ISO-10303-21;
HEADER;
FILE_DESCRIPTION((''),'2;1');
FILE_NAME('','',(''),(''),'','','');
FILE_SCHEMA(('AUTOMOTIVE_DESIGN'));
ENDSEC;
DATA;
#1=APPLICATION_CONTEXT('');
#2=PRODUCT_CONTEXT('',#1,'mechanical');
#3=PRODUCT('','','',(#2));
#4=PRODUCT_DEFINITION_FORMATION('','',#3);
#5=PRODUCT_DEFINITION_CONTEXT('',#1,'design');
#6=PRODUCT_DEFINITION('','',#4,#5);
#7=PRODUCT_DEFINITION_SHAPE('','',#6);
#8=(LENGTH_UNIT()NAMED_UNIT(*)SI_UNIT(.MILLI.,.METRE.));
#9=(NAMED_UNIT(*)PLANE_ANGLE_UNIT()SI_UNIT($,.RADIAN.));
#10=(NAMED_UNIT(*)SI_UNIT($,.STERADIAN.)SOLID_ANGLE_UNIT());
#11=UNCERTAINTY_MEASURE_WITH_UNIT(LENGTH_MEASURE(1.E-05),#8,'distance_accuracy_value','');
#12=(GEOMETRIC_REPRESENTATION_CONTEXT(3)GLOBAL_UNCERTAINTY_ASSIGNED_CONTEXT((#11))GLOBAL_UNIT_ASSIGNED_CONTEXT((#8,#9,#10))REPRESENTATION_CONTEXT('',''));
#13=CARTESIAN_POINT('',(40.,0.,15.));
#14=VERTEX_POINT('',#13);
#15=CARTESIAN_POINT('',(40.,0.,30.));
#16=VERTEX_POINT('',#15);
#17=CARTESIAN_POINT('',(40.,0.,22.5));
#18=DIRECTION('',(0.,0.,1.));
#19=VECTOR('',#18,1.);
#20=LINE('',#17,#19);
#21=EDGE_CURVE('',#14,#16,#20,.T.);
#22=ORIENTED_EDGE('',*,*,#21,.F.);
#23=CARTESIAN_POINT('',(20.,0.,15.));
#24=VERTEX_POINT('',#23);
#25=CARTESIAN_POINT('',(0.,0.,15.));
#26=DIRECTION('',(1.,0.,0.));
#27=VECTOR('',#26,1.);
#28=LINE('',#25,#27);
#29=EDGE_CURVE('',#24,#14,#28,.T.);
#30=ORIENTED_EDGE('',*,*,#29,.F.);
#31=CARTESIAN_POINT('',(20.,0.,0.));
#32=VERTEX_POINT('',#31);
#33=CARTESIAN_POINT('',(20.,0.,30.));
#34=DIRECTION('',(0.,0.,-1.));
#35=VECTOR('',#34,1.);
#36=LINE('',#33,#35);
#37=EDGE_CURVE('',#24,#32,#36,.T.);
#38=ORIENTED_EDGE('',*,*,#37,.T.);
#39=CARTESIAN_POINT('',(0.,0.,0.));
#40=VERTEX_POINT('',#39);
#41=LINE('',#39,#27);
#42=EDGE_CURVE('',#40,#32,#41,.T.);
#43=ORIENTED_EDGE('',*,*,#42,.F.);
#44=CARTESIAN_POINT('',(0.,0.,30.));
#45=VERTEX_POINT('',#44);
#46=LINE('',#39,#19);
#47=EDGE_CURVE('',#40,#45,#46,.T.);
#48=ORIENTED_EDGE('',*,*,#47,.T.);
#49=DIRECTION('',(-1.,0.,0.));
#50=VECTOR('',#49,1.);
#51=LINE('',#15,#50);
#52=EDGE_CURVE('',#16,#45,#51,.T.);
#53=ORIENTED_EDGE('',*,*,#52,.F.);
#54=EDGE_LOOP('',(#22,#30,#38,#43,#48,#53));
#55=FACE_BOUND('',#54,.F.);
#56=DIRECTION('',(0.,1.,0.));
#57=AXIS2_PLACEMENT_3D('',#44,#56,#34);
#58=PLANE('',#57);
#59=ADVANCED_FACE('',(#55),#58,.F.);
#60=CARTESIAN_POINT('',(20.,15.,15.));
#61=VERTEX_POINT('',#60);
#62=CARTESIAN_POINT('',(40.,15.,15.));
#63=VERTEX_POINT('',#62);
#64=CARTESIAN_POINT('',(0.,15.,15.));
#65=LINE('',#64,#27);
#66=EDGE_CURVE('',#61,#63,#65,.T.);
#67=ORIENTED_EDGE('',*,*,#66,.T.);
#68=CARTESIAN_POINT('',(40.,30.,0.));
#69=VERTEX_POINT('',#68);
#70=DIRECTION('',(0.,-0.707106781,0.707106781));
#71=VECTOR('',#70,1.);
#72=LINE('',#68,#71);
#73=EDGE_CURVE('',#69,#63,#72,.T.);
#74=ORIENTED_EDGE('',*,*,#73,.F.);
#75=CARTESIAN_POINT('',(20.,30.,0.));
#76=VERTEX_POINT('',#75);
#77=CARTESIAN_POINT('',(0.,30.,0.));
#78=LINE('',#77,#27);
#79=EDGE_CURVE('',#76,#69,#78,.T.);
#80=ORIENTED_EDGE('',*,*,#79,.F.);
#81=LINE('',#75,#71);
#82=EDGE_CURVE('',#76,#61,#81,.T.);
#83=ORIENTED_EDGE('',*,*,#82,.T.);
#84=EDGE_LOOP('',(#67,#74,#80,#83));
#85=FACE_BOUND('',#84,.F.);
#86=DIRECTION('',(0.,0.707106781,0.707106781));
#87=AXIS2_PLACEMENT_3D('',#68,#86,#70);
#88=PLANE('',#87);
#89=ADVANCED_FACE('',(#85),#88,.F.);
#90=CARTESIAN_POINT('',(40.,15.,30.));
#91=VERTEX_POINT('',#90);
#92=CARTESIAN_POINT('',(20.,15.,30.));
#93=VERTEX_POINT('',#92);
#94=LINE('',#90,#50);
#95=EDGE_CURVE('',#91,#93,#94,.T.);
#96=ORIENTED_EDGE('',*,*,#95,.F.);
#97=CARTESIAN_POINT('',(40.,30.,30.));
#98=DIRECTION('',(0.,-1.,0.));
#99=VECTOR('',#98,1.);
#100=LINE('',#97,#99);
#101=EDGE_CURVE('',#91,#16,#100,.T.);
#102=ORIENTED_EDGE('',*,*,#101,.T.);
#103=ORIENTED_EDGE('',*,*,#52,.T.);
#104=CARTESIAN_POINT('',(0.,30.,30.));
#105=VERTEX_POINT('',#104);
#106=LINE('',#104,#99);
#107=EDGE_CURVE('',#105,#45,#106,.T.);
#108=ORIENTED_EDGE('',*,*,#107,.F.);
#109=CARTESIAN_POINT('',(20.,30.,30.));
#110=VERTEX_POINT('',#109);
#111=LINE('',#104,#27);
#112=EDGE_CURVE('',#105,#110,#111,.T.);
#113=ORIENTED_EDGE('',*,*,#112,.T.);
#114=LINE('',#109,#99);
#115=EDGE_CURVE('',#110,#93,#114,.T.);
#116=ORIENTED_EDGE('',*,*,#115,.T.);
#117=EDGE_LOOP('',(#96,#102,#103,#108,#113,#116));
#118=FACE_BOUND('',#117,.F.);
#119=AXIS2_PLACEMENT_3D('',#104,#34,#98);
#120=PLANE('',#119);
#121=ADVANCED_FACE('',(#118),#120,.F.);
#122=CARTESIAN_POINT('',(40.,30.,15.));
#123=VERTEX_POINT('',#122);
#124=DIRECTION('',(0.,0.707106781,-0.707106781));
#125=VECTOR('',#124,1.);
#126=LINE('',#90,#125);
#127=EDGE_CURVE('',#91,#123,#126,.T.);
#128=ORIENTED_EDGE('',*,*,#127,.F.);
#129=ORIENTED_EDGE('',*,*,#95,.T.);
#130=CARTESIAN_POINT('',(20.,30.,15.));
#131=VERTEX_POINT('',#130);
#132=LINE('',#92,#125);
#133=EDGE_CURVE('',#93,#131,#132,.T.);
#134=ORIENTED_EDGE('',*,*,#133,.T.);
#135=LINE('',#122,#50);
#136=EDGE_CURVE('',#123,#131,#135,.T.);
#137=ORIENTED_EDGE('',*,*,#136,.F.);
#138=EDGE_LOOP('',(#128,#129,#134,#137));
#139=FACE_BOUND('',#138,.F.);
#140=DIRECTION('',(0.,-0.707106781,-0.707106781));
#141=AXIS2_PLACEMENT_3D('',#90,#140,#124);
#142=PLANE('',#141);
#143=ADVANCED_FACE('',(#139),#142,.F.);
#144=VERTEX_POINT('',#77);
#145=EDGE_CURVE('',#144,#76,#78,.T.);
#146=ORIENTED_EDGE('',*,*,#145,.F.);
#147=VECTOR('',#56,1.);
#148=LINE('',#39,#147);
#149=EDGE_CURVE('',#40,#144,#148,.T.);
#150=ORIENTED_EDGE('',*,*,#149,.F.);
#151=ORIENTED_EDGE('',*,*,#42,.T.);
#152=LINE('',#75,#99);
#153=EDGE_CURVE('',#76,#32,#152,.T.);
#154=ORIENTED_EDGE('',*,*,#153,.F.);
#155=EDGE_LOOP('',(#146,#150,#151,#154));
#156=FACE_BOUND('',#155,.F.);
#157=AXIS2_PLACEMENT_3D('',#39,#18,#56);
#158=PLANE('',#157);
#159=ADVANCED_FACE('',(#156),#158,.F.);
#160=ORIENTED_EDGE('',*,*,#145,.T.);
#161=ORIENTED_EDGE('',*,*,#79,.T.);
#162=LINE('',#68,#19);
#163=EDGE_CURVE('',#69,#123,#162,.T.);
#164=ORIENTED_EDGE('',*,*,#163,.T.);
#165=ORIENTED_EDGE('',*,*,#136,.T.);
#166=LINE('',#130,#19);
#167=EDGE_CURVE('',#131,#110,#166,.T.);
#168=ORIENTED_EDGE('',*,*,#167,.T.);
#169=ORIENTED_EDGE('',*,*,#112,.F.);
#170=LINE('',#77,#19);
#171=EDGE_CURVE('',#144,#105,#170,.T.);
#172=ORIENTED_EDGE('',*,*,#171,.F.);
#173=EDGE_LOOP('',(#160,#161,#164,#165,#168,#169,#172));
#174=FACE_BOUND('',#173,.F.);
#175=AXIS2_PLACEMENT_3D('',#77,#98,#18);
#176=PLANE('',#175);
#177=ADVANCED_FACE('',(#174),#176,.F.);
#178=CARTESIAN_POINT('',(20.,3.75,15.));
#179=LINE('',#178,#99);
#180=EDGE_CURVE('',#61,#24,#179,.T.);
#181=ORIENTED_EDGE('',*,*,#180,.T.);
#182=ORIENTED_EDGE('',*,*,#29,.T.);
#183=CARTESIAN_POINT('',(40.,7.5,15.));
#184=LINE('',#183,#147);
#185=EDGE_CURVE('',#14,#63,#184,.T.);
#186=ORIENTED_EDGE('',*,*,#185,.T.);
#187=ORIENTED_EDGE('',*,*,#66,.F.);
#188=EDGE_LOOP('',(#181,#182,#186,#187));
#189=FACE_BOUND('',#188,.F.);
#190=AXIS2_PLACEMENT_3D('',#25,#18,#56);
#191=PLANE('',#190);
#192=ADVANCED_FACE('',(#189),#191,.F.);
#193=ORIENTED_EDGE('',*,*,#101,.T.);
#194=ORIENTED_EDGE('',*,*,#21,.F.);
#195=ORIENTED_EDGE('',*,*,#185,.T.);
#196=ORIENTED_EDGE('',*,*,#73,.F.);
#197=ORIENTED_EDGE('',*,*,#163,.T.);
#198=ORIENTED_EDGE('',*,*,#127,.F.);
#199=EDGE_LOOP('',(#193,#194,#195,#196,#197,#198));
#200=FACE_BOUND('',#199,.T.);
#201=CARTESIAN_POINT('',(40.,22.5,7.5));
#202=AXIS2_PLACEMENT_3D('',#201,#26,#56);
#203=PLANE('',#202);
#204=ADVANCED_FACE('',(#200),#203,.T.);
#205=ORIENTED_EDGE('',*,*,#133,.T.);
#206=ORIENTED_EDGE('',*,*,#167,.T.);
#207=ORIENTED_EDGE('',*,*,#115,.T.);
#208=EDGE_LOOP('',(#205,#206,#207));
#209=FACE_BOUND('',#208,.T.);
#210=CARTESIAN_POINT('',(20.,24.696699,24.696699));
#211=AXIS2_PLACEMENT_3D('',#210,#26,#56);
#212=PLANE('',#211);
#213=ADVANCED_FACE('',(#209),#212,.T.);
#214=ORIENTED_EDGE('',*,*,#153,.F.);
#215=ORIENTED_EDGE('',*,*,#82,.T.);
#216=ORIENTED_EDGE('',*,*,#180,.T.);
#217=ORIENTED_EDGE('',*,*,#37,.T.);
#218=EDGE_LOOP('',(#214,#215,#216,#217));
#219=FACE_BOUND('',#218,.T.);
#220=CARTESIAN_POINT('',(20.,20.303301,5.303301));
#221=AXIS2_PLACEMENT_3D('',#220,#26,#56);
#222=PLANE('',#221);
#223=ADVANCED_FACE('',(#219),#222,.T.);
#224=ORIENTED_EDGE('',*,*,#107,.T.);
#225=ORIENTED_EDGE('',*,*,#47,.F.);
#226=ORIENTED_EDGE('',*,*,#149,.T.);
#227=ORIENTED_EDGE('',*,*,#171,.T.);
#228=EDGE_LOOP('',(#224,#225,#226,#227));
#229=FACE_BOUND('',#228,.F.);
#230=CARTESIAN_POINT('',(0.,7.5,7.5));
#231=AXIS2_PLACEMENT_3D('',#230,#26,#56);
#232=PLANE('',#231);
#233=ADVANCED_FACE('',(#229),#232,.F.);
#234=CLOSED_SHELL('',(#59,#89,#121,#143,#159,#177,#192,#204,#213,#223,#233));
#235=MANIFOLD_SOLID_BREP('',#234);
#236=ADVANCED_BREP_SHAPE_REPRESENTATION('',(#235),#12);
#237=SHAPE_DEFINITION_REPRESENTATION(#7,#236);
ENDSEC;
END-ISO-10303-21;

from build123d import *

# Parameters (mm, degrees)
F0_W     = 15
F0_H     = 15
F1_DEPTH = 20
F2_DEPTH = 40
F4_DEPTH = 20
F6_DEPTH = 20


with BuildPart() as f1:
    # F0 (on Right) → F1 (new body)
    with BuildSketch(Plane.YZ):
        with Locations((7.5, 7.5)):
            Rectangle(F0_W, F0_H)
        with Locations((22.5, 7.5)):
            Rectangle(F0_W, F0_H)
        with Locations((7.5, 22.5)):
            Rectangle(F0_W, F0_H)
        with Locations((22.5, 22.5)):
            Rectangle(F0_W, F0_H)
    extrude(amount=F1_DEPTH)

    # F0 (on Right) → F2 (join)
    with BuildSketch(Plane.YZ):
        with Locations((22.5, 7.5)):
            Rectangle(F0_W, F0_H)
        with Locations((22.5, 22.5)):
            Rectangle(F0_W, F0_H)
        with Locations((7.5, 22.5)):
            Rectangle(F0_W, F0_H)
    extrude(amount=F2_DEPTH)

    # F3 (on face) → F4 (cut)
    with BuildSketch(Plane.YZ.offset(40)):
        Polygon((30, 30), (15, 30), (30, 15), align=None)
    extrude(amount=-F4_DEPTH, mode=Mode.SUBTRACT)

    # F5 (on face) → F6 (cut)
    with BuildSketch(Plane.YZ.offset(40)):
        Polygon((30, 0), (15, 15), (15, 0), align=None)
    extrude(amount=-F6_DEPTH, mode=Mode.SUBTRACT)


solid = f1.part
